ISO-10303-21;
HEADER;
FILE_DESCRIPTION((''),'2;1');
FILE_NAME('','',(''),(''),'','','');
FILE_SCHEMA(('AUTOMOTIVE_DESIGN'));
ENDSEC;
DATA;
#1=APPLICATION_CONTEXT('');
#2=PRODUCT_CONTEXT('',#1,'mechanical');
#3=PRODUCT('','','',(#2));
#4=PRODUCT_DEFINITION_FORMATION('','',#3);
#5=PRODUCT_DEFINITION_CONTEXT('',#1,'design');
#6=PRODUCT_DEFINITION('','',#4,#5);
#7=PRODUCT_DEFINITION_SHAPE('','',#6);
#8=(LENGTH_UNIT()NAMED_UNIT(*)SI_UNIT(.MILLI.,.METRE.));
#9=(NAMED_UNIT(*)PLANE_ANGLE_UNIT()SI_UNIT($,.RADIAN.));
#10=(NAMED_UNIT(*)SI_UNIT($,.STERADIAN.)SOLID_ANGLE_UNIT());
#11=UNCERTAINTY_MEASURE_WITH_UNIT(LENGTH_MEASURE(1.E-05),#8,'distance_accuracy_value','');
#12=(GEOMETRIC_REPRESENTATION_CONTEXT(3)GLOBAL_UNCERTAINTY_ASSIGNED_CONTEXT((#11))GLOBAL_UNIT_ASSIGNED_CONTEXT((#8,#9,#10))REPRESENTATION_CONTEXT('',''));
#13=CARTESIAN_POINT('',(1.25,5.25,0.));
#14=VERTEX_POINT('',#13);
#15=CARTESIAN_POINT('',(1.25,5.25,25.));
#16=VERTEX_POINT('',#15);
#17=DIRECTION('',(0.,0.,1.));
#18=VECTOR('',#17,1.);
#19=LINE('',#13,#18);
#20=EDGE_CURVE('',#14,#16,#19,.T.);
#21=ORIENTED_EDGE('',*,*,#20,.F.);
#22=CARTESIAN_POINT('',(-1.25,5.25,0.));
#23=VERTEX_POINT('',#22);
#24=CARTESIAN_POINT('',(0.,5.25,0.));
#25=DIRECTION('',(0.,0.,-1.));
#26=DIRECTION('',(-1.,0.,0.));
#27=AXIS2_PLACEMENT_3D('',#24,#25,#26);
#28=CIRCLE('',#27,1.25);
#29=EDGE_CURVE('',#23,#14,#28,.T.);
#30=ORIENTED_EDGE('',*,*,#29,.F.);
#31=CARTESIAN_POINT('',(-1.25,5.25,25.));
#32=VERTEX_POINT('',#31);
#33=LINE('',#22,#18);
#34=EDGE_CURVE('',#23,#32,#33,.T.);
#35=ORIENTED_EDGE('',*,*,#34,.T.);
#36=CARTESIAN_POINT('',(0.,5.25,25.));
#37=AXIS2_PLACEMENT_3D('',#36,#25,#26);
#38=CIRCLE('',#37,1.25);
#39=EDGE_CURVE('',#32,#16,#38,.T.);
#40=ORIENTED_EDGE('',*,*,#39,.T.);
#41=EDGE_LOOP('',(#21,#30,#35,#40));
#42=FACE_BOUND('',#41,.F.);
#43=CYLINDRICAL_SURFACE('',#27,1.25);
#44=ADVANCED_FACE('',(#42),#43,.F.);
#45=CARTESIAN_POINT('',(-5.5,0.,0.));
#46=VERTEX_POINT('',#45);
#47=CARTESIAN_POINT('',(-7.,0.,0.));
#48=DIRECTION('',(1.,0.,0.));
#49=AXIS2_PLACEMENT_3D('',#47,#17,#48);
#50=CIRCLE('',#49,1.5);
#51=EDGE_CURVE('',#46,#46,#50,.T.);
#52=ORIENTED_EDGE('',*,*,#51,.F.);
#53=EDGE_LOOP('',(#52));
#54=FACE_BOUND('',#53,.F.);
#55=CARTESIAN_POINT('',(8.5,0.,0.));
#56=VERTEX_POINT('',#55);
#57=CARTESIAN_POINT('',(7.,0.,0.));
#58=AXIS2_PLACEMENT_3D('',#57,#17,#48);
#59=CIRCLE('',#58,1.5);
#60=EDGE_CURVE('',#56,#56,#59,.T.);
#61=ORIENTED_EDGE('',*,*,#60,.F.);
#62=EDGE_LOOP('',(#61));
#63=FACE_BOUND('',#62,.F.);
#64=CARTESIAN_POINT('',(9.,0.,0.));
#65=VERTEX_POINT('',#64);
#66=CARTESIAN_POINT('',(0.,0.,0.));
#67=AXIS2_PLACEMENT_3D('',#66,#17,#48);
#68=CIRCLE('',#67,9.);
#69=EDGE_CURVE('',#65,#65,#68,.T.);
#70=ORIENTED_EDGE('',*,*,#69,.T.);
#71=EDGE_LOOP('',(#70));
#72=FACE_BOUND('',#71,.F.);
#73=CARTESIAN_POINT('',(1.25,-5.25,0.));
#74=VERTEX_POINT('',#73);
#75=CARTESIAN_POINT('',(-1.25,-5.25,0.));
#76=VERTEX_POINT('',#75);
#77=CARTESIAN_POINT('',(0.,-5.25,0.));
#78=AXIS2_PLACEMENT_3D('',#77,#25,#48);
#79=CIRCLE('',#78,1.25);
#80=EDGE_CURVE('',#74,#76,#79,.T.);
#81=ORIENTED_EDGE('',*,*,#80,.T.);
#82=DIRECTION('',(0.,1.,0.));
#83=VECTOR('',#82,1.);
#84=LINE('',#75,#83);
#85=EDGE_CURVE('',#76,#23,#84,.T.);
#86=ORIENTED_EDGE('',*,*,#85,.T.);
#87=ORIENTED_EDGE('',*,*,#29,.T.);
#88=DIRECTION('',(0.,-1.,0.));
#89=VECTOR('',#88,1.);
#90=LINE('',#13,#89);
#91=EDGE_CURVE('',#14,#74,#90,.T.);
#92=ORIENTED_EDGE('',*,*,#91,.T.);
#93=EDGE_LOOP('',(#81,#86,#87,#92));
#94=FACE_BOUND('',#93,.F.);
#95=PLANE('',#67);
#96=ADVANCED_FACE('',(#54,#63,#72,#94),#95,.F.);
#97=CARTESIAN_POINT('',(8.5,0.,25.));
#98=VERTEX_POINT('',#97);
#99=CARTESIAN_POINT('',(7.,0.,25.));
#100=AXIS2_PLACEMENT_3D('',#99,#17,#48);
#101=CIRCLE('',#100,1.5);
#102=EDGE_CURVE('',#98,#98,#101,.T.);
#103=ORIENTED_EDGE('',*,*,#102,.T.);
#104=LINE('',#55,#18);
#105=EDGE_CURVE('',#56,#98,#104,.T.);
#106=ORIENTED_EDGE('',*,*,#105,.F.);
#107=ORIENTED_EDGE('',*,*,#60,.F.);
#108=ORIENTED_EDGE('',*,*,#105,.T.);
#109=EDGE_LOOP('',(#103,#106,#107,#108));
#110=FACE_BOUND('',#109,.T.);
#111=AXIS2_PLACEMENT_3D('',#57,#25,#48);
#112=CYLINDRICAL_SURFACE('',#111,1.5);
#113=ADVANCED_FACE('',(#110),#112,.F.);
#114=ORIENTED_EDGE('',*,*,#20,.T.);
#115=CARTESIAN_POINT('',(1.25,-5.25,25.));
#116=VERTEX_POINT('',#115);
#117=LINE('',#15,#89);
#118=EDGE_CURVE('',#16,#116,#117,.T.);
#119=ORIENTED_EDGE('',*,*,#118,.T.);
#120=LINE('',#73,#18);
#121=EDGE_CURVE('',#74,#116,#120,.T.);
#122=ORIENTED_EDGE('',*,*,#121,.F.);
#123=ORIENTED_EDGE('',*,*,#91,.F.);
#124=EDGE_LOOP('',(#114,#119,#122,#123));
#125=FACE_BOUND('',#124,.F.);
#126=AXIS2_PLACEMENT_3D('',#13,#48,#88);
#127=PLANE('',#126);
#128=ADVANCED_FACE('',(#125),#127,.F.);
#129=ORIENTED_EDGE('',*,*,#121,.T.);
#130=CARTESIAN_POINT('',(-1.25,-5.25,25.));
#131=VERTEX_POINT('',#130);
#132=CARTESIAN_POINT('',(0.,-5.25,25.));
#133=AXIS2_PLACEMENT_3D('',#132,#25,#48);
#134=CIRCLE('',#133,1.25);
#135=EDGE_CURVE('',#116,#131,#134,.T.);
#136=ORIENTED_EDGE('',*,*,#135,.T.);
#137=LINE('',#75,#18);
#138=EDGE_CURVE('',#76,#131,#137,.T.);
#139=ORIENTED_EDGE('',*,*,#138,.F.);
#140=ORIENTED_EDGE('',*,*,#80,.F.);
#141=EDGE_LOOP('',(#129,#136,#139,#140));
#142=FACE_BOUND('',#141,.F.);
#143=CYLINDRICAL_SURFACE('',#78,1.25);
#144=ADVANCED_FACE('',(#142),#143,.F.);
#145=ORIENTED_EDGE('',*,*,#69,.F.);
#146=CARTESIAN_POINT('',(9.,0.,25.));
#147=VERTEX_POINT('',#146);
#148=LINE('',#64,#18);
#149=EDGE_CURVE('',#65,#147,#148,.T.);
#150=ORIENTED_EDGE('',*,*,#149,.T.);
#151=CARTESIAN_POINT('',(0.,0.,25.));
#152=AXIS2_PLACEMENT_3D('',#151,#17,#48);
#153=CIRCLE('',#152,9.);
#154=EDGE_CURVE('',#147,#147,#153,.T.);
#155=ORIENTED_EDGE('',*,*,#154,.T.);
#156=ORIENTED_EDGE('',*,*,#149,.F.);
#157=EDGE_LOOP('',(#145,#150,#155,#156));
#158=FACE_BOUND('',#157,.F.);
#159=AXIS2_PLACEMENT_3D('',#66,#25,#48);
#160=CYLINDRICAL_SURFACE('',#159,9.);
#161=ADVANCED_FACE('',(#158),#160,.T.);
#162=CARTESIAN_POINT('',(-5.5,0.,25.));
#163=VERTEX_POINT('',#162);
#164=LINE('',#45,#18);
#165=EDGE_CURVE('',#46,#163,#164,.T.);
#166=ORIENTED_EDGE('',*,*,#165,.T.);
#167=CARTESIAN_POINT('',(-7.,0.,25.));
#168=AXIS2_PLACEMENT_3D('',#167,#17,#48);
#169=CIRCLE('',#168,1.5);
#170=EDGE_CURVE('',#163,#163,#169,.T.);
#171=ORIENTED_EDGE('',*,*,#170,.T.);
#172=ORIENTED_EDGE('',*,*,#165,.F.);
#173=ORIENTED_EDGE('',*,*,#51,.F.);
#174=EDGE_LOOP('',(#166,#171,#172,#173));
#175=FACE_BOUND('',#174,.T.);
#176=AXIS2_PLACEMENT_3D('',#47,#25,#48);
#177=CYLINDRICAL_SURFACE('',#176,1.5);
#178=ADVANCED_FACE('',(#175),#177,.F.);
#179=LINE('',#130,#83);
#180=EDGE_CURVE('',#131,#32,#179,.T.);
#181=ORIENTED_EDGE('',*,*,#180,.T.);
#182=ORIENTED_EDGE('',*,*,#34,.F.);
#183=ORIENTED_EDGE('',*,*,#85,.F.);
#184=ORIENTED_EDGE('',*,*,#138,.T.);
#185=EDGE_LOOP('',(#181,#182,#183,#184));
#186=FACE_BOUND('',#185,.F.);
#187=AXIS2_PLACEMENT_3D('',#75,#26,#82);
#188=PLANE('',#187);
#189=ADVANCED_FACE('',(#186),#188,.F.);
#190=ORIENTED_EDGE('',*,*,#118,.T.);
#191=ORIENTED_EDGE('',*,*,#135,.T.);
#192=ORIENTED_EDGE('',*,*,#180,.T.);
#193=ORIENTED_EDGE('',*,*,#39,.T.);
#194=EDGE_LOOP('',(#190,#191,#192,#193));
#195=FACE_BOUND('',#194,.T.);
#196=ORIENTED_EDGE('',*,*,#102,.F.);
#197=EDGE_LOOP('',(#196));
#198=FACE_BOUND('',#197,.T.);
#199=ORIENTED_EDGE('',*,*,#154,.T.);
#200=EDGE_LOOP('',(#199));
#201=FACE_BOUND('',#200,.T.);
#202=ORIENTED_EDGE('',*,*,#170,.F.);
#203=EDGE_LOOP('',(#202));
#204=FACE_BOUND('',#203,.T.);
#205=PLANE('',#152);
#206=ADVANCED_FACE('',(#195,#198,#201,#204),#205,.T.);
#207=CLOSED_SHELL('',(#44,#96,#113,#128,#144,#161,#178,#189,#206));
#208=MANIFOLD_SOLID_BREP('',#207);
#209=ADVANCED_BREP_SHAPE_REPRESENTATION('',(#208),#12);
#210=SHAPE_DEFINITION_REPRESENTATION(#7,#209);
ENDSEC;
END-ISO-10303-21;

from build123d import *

# Parameters (mm, degrees)
F0_R     = 9
F0_R_2   = 1.5
F1_DEPTH = 25


with BuildPart() as f1:
    # F0 (on Top) → F1 (new body)
    with BuildSketch(Plane.XY):
        Circle(F0_R)
        with Locations((-7, 0)):
            Circle(F0_R_2, mode=Mode.SUBTRACT)
        with BuildLine():
            ThreePointArc((-1.25, 5.25), (0, 6.5), (1.25, 5.25))
            Line((1.25, 5.25), (1.25, -5.25))
            ThreePointArc((1.25, -5.25), (0, -6.5), (-1.25, -5.25))
            Line((-1.25, -5.25), (-1.25, 5.25))
        make_face(mode=Mode.SUBTRACT)
        with Locations((7, 0)):
            Circle(F0_R_2, mode=Mode.SUBTRACT)
    extrude(amount=F1_DEPTH)


solid = f1.part
